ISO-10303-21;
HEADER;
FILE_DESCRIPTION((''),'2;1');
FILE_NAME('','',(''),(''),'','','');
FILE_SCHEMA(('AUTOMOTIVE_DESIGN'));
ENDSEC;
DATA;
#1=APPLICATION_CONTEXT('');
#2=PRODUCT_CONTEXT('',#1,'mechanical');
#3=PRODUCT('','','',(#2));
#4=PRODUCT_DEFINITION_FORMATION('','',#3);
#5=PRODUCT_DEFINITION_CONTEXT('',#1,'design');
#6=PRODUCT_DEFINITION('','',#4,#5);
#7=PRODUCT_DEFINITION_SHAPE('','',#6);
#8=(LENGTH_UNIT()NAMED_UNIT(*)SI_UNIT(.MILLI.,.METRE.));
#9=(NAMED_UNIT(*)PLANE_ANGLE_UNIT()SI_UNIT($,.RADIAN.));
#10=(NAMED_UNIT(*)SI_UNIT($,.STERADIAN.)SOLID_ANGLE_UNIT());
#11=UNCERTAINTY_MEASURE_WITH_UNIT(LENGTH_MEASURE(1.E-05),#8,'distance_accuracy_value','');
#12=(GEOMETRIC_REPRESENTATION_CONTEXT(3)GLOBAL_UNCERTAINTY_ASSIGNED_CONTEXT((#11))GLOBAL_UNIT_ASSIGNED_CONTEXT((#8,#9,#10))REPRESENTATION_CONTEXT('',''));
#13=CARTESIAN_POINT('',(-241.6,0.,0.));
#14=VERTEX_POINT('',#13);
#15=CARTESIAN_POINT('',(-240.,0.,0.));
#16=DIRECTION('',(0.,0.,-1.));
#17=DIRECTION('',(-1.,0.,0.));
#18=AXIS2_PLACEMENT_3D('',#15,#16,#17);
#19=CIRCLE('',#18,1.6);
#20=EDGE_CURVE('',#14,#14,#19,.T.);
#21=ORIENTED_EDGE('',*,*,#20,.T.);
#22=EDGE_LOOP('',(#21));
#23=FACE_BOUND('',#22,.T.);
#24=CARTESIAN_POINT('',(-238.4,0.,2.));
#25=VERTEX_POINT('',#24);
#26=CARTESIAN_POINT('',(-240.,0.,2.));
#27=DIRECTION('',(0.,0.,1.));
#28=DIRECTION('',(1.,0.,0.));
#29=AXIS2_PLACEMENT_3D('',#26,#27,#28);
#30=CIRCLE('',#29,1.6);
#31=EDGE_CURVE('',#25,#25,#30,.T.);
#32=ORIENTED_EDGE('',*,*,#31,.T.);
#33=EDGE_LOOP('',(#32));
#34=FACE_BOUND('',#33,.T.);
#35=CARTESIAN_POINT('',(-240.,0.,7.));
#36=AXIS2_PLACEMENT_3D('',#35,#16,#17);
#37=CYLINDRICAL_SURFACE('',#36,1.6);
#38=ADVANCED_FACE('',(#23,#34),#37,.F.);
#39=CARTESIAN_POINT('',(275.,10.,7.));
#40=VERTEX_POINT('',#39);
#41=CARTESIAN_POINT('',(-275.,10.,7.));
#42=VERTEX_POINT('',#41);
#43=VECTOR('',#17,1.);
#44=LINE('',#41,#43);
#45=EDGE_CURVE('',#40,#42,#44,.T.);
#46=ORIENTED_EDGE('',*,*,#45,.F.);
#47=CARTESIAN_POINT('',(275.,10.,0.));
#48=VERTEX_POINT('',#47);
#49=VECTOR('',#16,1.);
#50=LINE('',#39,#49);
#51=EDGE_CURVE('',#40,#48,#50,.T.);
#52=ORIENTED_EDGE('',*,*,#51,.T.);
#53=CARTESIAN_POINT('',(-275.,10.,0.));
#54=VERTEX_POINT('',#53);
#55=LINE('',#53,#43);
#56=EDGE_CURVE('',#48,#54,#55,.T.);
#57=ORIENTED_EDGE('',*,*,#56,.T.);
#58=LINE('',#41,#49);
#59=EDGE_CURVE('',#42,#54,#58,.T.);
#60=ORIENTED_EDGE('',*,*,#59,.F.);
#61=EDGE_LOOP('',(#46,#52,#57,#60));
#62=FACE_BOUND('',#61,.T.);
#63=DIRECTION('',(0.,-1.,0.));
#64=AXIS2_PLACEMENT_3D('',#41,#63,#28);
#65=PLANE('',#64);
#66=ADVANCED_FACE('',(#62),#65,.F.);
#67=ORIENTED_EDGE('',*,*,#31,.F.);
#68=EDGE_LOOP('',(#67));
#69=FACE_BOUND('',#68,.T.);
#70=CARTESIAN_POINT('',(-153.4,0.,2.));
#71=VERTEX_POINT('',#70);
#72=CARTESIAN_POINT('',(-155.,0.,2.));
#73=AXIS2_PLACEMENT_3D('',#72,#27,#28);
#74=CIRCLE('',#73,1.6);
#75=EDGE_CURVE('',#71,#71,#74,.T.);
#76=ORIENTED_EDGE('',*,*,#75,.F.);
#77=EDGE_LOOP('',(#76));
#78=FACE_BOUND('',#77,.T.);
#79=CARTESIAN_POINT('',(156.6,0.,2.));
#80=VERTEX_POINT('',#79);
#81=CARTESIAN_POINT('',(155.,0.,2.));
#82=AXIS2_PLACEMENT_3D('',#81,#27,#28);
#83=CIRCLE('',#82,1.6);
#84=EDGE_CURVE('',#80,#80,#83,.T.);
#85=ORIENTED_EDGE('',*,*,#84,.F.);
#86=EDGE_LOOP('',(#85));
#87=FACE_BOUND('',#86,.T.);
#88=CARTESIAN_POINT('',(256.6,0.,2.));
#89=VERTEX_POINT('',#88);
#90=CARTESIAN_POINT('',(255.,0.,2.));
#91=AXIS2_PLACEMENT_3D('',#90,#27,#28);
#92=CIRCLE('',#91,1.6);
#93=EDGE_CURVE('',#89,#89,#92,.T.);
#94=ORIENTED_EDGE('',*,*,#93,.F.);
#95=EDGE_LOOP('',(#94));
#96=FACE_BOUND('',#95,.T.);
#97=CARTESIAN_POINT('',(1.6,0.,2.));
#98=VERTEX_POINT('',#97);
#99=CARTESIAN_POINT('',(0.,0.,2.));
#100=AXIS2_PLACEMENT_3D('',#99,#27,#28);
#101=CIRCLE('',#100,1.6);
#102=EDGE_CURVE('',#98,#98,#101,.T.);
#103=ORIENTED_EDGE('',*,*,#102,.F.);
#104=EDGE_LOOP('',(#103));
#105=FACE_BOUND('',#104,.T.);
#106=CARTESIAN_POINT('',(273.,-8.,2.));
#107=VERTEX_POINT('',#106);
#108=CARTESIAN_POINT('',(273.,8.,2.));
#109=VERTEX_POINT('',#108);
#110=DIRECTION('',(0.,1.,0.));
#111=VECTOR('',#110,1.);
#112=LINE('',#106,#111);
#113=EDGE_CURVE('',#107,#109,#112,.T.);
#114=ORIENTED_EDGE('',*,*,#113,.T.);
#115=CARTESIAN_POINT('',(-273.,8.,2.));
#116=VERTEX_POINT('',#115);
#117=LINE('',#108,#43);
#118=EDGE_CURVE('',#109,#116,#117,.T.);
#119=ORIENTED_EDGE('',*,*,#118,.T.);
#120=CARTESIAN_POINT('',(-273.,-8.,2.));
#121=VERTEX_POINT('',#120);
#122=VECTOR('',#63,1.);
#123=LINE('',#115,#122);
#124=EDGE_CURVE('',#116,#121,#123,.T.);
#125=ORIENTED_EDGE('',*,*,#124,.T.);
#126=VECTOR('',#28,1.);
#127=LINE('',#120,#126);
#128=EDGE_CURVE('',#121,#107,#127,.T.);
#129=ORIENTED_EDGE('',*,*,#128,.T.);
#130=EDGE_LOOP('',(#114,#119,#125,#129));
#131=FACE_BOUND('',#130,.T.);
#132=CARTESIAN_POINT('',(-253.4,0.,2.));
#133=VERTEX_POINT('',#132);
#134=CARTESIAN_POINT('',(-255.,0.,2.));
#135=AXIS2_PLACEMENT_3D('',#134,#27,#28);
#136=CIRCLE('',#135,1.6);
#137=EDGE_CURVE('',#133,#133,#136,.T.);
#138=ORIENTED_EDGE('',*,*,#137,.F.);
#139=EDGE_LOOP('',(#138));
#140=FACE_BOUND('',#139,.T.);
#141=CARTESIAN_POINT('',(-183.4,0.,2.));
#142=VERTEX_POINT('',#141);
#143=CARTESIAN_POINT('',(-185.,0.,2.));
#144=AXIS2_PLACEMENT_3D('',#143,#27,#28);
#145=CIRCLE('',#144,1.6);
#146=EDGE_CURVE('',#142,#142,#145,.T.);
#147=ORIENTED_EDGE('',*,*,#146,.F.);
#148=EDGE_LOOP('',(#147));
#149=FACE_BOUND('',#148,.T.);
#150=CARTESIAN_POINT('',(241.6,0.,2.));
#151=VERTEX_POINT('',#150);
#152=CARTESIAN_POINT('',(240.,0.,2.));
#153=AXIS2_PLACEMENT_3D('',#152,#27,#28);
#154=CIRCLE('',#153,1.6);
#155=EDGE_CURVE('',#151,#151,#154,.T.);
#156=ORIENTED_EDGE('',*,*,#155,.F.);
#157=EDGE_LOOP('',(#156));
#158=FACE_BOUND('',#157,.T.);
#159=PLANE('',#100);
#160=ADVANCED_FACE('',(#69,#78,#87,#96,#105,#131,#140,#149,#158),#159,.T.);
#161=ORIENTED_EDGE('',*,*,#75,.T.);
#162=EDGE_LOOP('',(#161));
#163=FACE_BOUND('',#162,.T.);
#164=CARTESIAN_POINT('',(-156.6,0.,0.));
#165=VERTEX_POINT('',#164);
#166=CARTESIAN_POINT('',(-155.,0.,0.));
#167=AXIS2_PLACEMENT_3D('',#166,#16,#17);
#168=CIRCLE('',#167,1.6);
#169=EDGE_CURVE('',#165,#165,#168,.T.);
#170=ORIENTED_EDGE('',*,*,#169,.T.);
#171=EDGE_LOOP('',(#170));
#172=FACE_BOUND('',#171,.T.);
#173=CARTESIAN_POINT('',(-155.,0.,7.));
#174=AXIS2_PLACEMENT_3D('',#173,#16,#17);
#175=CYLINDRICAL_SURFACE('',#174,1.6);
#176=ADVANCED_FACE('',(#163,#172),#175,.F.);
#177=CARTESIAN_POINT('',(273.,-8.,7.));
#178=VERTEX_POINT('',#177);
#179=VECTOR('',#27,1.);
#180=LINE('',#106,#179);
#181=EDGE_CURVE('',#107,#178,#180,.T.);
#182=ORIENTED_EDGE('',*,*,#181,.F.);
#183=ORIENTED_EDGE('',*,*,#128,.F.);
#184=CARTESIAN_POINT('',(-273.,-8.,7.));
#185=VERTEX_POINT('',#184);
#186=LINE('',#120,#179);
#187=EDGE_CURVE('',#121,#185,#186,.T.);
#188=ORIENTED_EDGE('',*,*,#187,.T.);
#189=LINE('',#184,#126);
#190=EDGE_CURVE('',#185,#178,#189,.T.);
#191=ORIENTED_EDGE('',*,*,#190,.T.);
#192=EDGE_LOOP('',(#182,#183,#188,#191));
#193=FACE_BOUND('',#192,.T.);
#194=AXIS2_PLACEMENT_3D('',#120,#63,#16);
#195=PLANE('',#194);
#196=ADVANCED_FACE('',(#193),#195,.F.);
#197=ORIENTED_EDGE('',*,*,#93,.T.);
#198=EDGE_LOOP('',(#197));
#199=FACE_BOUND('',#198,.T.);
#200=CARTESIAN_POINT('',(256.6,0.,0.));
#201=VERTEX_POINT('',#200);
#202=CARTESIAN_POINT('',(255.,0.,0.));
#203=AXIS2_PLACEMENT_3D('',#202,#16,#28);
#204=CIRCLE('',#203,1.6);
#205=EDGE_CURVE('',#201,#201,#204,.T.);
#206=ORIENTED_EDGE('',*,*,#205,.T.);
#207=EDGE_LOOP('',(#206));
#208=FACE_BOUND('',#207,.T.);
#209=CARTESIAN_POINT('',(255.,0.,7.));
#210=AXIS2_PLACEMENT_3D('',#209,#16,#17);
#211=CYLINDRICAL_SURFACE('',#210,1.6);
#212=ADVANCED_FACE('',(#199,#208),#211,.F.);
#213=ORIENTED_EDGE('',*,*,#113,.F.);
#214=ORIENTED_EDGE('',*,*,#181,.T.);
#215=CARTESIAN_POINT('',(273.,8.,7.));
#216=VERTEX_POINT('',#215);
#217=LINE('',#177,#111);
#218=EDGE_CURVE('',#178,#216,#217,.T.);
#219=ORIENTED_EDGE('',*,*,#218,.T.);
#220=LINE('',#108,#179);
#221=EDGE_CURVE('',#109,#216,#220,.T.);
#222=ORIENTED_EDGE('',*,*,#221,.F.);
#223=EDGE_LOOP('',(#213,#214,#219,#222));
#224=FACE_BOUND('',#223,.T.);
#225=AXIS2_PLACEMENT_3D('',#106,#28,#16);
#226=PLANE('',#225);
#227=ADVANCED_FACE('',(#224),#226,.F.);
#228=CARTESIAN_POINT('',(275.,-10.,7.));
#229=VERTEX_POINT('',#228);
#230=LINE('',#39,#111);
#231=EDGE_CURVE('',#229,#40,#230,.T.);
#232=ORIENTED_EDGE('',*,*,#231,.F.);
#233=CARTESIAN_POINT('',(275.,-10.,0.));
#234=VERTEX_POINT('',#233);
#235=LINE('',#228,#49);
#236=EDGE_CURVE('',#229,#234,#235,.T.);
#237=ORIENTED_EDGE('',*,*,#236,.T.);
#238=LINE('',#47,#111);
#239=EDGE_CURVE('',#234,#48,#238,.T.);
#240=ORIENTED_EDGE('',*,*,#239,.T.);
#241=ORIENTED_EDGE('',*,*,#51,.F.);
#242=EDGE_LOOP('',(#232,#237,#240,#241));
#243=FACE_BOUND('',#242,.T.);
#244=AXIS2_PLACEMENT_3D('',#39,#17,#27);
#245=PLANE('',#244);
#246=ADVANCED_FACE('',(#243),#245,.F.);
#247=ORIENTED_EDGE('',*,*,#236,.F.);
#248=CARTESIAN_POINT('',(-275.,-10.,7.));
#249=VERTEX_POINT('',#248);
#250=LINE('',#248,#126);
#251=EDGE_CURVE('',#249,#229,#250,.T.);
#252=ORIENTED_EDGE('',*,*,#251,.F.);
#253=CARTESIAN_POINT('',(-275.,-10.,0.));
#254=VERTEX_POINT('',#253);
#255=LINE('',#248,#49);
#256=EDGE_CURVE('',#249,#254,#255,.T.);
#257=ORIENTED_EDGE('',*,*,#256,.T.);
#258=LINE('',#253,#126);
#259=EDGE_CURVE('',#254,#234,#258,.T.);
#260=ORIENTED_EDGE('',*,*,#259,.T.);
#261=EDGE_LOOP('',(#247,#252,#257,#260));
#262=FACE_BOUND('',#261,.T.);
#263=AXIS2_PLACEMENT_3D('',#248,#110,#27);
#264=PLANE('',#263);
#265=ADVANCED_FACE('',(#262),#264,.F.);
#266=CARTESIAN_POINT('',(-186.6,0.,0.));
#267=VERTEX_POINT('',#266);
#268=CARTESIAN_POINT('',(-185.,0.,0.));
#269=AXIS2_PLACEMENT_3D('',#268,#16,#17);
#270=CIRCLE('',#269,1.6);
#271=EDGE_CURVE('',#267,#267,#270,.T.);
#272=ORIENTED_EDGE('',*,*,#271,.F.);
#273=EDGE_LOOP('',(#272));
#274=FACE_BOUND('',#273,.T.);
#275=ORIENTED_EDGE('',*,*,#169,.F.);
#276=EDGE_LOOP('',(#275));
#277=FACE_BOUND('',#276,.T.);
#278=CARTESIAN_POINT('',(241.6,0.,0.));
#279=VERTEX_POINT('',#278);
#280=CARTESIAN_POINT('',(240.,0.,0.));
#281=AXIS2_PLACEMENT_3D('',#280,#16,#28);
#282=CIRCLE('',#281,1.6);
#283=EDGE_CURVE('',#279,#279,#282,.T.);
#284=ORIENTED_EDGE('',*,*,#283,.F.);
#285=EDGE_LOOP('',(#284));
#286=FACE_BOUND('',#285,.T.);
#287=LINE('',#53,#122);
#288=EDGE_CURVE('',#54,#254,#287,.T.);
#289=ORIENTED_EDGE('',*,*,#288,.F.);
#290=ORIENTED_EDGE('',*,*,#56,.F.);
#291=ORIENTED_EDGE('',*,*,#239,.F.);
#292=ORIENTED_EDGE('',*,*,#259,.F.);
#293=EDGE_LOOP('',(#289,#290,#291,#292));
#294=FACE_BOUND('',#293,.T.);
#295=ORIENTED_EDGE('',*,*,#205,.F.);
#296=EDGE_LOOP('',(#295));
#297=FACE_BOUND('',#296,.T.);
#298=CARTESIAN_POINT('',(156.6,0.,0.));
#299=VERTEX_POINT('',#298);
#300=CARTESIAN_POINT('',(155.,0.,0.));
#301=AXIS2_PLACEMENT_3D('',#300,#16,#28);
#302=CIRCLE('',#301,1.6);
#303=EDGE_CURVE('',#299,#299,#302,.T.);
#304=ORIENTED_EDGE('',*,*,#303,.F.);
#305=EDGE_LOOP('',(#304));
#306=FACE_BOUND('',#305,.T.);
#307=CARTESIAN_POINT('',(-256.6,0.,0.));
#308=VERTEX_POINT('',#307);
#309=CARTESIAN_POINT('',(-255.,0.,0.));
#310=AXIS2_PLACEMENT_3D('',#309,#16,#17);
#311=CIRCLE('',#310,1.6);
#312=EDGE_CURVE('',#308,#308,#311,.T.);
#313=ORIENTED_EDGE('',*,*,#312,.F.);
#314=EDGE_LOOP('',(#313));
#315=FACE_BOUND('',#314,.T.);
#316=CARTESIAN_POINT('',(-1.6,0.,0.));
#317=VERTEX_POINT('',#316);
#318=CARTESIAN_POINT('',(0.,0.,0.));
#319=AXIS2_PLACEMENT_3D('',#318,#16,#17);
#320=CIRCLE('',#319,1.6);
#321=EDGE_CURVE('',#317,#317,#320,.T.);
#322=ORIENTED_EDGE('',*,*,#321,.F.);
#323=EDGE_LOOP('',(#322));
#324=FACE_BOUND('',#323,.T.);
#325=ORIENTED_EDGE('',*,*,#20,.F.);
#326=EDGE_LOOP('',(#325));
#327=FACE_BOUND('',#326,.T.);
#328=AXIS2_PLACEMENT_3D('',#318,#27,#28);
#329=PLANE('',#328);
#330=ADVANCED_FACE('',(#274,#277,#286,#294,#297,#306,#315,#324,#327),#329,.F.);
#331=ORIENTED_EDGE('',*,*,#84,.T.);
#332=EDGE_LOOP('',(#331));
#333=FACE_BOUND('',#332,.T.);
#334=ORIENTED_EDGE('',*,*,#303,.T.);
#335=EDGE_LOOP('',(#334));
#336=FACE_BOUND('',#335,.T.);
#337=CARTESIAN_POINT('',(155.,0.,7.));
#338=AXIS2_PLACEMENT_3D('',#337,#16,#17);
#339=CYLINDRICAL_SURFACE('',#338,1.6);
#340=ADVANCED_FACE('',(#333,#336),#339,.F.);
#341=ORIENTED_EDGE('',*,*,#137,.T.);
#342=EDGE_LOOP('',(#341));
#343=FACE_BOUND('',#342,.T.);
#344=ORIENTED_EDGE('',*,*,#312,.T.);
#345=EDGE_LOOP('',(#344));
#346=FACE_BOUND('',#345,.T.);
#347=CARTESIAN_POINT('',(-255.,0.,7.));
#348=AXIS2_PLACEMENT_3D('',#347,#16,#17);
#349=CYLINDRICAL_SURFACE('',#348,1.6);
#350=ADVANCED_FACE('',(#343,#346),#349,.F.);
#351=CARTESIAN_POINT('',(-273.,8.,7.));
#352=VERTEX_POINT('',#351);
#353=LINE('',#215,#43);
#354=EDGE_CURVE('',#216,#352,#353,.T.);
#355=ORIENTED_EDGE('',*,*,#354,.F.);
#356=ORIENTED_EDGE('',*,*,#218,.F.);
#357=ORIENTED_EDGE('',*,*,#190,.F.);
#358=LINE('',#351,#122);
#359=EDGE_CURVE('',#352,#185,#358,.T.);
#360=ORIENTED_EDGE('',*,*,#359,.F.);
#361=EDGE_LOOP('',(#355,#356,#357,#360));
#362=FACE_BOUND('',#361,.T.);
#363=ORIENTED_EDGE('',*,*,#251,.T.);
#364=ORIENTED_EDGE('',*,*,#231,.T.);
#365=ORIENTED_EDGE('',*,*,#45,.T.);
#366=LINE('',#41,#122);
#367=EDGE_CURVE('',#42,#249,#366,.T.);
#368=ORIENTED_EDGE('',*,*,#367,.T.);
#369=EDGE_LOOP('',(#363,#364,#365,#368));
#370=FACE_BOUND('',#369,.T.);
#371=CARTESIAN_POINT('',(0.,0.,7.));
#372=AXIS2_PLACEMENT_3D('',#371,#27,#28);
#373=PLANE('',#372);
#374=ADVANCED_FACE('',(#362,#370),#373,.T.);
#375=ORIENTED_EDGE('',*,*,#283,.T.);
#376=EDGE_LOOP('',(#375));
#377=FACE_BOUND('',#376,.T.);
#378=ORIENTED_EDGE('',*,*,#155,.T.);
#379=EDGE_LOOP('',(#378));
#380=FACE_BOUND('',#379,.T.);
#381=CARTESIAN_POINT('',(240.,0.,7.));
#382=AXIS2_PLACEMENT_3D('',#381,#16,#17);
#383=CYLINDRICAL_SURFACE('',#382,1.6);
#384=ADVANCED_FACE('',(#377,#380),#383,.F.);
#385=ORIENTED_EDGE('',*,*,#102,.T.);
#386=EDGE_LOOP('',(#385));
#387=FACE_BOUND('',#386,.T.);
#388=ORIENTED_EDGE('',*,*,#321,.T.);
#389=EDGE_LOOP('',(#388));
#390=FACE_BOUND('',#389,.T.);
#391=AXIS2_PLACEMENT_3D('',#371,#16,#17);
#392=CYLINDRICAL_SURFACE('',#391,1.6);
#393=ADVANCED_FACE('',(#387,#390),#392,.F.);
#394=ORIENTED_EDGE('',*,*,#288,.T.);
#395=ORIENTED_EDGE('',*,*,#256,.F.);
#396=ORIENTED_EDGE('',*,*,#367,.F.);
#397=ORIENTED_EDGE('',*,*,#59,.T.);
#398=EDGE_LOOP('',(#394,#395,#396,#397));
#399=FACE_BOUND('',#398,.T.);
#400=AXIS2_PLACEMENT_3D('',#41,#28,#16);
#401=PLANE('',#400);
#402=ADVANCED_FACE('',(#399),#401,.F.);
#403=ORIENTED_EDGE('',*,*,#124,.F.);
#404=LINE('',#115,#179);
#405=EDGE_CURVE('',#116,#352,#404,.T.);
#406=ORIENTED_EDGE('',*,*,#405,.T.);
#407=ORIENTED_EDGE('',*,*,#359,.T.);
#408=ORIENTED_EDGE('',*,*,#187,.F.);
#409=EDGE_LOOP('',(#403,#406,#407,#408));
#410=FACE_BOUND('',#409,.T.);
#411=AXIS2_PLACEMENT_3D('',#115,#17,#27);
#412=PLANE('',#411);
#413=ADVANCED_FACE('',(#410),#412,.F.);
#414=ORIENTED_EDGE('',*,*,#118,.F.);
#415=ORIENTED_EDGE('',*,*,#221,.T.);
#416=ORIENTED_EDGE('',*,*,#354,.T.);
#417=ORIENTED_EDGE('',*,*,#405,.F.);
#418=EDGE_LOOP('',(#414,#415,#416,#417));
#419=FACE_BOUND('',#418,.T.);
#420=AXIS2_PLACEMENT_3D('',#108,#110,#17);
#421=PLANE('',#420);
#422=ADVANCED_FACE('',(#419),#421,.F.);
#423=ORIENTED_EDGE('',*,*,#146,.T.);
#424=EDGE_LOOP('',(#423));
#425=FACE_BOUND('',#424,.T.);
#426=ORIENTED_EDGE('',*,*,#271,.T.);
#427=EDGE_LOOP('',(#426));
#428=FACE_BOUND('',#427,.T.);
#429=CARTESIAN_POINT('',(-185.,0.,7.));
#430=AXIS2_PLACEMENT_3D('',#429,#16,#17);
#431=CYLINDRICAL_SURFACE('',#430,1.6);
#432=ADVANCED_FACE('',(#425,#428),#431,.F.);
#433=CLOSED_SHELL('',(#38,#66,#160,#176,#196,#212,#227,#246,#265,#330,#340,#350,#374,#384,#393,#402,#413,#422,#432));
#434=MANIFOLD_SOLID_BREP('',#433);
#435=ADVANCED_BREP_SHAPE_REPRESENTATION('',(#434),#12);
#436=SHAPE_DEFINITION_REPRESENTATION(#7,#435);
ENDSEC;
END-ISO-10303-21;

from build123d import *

# Parameters (mm, degrees)
SKETCH_1_W          = 550
SKETCH_1_H          = 20
EXTRUDE_1_DEPTH     = 7
SKETCH_2_W          = 546
SKETCH_2_H          = 16
CUT_EXTRUDE_1_DEPTH = 5
SKETCH_3_R          = 1.6
CUT_EXTRUDE_2_DEPTH = 276.270775783
SKETCH_4_R          = 1.6
CUT_EXTRUDE_3_DEPTH = 276.270775783


with BuildPart() as part:
    # ｽｹｯﾁ1 → ﾎﾞｽ - 押し出し1 (new body)
    with BuildSketch(Plane.XY):
        Rectangle(SKETCH_1_W, SKETCH_1_H)
    extrude(amount=EXTRUDE_1_DEPTH)

    # ｽｹｯﾁ2 → ｶｯﾄ - 押し出し1 (cut)
    with BuildSketch(Plane.XY.offset(7)):
        Rectangle(SKETCH_2_W, SKETCH_2_H)
    extrude(amount=-CUT_EXTRUDE_1_DEPTH, mode=Mode.SUBTRACT)

    # ｽｹｯﾁ3 → ｶｯﾄ - 押し出し2 (cut, through all)
    with BuildSketch(Plane(origin=(0, 0, 0), x_dir=(-1, 0, 0), z_dir=(0, 0, -1))):
        with Locations((255, 0)):
            Circle(SKETCH_3_R)
        with Locations((240, 0)):
            Circle(SKETCH_3_R)
        with Locations((155, 0)):
            Circle(SKETCH_3_R)
        Circle(SKETCH_3_R)
        with Locations(Location((-255, 0, 0), (0, 0, 180))):
            Circle(SKETCH_3_R)
        with Locations(Location((-240, 0, 0), (0, 0, 180))):
            Circle(SKETCH_3_R)
        with Locations(Location((-155, 0, 0), (0, 0, 180))):
            Circle(SKETCH_3_R)
    extrude(amount=-CUT_EXTRUDE_2_DEPTH, mode=Mode.SUBTRACT)

    # ｽｹｯﾁ4 → ｶｯﾄ - 押し出し3 (cut, through all)
    with BuildSketch(Plane(origin=(0, 0, 0), x_dir=(-1, 0, 0), z_dir=(0, 0, -1))):
        with Locations((185, 0)):
            Circle(SKETCH_4_R)
    extrude(amount=-CUT_EXTRUDE_3_DEPTH, mode=Mode.SUBTRACT)


solid = part.part
